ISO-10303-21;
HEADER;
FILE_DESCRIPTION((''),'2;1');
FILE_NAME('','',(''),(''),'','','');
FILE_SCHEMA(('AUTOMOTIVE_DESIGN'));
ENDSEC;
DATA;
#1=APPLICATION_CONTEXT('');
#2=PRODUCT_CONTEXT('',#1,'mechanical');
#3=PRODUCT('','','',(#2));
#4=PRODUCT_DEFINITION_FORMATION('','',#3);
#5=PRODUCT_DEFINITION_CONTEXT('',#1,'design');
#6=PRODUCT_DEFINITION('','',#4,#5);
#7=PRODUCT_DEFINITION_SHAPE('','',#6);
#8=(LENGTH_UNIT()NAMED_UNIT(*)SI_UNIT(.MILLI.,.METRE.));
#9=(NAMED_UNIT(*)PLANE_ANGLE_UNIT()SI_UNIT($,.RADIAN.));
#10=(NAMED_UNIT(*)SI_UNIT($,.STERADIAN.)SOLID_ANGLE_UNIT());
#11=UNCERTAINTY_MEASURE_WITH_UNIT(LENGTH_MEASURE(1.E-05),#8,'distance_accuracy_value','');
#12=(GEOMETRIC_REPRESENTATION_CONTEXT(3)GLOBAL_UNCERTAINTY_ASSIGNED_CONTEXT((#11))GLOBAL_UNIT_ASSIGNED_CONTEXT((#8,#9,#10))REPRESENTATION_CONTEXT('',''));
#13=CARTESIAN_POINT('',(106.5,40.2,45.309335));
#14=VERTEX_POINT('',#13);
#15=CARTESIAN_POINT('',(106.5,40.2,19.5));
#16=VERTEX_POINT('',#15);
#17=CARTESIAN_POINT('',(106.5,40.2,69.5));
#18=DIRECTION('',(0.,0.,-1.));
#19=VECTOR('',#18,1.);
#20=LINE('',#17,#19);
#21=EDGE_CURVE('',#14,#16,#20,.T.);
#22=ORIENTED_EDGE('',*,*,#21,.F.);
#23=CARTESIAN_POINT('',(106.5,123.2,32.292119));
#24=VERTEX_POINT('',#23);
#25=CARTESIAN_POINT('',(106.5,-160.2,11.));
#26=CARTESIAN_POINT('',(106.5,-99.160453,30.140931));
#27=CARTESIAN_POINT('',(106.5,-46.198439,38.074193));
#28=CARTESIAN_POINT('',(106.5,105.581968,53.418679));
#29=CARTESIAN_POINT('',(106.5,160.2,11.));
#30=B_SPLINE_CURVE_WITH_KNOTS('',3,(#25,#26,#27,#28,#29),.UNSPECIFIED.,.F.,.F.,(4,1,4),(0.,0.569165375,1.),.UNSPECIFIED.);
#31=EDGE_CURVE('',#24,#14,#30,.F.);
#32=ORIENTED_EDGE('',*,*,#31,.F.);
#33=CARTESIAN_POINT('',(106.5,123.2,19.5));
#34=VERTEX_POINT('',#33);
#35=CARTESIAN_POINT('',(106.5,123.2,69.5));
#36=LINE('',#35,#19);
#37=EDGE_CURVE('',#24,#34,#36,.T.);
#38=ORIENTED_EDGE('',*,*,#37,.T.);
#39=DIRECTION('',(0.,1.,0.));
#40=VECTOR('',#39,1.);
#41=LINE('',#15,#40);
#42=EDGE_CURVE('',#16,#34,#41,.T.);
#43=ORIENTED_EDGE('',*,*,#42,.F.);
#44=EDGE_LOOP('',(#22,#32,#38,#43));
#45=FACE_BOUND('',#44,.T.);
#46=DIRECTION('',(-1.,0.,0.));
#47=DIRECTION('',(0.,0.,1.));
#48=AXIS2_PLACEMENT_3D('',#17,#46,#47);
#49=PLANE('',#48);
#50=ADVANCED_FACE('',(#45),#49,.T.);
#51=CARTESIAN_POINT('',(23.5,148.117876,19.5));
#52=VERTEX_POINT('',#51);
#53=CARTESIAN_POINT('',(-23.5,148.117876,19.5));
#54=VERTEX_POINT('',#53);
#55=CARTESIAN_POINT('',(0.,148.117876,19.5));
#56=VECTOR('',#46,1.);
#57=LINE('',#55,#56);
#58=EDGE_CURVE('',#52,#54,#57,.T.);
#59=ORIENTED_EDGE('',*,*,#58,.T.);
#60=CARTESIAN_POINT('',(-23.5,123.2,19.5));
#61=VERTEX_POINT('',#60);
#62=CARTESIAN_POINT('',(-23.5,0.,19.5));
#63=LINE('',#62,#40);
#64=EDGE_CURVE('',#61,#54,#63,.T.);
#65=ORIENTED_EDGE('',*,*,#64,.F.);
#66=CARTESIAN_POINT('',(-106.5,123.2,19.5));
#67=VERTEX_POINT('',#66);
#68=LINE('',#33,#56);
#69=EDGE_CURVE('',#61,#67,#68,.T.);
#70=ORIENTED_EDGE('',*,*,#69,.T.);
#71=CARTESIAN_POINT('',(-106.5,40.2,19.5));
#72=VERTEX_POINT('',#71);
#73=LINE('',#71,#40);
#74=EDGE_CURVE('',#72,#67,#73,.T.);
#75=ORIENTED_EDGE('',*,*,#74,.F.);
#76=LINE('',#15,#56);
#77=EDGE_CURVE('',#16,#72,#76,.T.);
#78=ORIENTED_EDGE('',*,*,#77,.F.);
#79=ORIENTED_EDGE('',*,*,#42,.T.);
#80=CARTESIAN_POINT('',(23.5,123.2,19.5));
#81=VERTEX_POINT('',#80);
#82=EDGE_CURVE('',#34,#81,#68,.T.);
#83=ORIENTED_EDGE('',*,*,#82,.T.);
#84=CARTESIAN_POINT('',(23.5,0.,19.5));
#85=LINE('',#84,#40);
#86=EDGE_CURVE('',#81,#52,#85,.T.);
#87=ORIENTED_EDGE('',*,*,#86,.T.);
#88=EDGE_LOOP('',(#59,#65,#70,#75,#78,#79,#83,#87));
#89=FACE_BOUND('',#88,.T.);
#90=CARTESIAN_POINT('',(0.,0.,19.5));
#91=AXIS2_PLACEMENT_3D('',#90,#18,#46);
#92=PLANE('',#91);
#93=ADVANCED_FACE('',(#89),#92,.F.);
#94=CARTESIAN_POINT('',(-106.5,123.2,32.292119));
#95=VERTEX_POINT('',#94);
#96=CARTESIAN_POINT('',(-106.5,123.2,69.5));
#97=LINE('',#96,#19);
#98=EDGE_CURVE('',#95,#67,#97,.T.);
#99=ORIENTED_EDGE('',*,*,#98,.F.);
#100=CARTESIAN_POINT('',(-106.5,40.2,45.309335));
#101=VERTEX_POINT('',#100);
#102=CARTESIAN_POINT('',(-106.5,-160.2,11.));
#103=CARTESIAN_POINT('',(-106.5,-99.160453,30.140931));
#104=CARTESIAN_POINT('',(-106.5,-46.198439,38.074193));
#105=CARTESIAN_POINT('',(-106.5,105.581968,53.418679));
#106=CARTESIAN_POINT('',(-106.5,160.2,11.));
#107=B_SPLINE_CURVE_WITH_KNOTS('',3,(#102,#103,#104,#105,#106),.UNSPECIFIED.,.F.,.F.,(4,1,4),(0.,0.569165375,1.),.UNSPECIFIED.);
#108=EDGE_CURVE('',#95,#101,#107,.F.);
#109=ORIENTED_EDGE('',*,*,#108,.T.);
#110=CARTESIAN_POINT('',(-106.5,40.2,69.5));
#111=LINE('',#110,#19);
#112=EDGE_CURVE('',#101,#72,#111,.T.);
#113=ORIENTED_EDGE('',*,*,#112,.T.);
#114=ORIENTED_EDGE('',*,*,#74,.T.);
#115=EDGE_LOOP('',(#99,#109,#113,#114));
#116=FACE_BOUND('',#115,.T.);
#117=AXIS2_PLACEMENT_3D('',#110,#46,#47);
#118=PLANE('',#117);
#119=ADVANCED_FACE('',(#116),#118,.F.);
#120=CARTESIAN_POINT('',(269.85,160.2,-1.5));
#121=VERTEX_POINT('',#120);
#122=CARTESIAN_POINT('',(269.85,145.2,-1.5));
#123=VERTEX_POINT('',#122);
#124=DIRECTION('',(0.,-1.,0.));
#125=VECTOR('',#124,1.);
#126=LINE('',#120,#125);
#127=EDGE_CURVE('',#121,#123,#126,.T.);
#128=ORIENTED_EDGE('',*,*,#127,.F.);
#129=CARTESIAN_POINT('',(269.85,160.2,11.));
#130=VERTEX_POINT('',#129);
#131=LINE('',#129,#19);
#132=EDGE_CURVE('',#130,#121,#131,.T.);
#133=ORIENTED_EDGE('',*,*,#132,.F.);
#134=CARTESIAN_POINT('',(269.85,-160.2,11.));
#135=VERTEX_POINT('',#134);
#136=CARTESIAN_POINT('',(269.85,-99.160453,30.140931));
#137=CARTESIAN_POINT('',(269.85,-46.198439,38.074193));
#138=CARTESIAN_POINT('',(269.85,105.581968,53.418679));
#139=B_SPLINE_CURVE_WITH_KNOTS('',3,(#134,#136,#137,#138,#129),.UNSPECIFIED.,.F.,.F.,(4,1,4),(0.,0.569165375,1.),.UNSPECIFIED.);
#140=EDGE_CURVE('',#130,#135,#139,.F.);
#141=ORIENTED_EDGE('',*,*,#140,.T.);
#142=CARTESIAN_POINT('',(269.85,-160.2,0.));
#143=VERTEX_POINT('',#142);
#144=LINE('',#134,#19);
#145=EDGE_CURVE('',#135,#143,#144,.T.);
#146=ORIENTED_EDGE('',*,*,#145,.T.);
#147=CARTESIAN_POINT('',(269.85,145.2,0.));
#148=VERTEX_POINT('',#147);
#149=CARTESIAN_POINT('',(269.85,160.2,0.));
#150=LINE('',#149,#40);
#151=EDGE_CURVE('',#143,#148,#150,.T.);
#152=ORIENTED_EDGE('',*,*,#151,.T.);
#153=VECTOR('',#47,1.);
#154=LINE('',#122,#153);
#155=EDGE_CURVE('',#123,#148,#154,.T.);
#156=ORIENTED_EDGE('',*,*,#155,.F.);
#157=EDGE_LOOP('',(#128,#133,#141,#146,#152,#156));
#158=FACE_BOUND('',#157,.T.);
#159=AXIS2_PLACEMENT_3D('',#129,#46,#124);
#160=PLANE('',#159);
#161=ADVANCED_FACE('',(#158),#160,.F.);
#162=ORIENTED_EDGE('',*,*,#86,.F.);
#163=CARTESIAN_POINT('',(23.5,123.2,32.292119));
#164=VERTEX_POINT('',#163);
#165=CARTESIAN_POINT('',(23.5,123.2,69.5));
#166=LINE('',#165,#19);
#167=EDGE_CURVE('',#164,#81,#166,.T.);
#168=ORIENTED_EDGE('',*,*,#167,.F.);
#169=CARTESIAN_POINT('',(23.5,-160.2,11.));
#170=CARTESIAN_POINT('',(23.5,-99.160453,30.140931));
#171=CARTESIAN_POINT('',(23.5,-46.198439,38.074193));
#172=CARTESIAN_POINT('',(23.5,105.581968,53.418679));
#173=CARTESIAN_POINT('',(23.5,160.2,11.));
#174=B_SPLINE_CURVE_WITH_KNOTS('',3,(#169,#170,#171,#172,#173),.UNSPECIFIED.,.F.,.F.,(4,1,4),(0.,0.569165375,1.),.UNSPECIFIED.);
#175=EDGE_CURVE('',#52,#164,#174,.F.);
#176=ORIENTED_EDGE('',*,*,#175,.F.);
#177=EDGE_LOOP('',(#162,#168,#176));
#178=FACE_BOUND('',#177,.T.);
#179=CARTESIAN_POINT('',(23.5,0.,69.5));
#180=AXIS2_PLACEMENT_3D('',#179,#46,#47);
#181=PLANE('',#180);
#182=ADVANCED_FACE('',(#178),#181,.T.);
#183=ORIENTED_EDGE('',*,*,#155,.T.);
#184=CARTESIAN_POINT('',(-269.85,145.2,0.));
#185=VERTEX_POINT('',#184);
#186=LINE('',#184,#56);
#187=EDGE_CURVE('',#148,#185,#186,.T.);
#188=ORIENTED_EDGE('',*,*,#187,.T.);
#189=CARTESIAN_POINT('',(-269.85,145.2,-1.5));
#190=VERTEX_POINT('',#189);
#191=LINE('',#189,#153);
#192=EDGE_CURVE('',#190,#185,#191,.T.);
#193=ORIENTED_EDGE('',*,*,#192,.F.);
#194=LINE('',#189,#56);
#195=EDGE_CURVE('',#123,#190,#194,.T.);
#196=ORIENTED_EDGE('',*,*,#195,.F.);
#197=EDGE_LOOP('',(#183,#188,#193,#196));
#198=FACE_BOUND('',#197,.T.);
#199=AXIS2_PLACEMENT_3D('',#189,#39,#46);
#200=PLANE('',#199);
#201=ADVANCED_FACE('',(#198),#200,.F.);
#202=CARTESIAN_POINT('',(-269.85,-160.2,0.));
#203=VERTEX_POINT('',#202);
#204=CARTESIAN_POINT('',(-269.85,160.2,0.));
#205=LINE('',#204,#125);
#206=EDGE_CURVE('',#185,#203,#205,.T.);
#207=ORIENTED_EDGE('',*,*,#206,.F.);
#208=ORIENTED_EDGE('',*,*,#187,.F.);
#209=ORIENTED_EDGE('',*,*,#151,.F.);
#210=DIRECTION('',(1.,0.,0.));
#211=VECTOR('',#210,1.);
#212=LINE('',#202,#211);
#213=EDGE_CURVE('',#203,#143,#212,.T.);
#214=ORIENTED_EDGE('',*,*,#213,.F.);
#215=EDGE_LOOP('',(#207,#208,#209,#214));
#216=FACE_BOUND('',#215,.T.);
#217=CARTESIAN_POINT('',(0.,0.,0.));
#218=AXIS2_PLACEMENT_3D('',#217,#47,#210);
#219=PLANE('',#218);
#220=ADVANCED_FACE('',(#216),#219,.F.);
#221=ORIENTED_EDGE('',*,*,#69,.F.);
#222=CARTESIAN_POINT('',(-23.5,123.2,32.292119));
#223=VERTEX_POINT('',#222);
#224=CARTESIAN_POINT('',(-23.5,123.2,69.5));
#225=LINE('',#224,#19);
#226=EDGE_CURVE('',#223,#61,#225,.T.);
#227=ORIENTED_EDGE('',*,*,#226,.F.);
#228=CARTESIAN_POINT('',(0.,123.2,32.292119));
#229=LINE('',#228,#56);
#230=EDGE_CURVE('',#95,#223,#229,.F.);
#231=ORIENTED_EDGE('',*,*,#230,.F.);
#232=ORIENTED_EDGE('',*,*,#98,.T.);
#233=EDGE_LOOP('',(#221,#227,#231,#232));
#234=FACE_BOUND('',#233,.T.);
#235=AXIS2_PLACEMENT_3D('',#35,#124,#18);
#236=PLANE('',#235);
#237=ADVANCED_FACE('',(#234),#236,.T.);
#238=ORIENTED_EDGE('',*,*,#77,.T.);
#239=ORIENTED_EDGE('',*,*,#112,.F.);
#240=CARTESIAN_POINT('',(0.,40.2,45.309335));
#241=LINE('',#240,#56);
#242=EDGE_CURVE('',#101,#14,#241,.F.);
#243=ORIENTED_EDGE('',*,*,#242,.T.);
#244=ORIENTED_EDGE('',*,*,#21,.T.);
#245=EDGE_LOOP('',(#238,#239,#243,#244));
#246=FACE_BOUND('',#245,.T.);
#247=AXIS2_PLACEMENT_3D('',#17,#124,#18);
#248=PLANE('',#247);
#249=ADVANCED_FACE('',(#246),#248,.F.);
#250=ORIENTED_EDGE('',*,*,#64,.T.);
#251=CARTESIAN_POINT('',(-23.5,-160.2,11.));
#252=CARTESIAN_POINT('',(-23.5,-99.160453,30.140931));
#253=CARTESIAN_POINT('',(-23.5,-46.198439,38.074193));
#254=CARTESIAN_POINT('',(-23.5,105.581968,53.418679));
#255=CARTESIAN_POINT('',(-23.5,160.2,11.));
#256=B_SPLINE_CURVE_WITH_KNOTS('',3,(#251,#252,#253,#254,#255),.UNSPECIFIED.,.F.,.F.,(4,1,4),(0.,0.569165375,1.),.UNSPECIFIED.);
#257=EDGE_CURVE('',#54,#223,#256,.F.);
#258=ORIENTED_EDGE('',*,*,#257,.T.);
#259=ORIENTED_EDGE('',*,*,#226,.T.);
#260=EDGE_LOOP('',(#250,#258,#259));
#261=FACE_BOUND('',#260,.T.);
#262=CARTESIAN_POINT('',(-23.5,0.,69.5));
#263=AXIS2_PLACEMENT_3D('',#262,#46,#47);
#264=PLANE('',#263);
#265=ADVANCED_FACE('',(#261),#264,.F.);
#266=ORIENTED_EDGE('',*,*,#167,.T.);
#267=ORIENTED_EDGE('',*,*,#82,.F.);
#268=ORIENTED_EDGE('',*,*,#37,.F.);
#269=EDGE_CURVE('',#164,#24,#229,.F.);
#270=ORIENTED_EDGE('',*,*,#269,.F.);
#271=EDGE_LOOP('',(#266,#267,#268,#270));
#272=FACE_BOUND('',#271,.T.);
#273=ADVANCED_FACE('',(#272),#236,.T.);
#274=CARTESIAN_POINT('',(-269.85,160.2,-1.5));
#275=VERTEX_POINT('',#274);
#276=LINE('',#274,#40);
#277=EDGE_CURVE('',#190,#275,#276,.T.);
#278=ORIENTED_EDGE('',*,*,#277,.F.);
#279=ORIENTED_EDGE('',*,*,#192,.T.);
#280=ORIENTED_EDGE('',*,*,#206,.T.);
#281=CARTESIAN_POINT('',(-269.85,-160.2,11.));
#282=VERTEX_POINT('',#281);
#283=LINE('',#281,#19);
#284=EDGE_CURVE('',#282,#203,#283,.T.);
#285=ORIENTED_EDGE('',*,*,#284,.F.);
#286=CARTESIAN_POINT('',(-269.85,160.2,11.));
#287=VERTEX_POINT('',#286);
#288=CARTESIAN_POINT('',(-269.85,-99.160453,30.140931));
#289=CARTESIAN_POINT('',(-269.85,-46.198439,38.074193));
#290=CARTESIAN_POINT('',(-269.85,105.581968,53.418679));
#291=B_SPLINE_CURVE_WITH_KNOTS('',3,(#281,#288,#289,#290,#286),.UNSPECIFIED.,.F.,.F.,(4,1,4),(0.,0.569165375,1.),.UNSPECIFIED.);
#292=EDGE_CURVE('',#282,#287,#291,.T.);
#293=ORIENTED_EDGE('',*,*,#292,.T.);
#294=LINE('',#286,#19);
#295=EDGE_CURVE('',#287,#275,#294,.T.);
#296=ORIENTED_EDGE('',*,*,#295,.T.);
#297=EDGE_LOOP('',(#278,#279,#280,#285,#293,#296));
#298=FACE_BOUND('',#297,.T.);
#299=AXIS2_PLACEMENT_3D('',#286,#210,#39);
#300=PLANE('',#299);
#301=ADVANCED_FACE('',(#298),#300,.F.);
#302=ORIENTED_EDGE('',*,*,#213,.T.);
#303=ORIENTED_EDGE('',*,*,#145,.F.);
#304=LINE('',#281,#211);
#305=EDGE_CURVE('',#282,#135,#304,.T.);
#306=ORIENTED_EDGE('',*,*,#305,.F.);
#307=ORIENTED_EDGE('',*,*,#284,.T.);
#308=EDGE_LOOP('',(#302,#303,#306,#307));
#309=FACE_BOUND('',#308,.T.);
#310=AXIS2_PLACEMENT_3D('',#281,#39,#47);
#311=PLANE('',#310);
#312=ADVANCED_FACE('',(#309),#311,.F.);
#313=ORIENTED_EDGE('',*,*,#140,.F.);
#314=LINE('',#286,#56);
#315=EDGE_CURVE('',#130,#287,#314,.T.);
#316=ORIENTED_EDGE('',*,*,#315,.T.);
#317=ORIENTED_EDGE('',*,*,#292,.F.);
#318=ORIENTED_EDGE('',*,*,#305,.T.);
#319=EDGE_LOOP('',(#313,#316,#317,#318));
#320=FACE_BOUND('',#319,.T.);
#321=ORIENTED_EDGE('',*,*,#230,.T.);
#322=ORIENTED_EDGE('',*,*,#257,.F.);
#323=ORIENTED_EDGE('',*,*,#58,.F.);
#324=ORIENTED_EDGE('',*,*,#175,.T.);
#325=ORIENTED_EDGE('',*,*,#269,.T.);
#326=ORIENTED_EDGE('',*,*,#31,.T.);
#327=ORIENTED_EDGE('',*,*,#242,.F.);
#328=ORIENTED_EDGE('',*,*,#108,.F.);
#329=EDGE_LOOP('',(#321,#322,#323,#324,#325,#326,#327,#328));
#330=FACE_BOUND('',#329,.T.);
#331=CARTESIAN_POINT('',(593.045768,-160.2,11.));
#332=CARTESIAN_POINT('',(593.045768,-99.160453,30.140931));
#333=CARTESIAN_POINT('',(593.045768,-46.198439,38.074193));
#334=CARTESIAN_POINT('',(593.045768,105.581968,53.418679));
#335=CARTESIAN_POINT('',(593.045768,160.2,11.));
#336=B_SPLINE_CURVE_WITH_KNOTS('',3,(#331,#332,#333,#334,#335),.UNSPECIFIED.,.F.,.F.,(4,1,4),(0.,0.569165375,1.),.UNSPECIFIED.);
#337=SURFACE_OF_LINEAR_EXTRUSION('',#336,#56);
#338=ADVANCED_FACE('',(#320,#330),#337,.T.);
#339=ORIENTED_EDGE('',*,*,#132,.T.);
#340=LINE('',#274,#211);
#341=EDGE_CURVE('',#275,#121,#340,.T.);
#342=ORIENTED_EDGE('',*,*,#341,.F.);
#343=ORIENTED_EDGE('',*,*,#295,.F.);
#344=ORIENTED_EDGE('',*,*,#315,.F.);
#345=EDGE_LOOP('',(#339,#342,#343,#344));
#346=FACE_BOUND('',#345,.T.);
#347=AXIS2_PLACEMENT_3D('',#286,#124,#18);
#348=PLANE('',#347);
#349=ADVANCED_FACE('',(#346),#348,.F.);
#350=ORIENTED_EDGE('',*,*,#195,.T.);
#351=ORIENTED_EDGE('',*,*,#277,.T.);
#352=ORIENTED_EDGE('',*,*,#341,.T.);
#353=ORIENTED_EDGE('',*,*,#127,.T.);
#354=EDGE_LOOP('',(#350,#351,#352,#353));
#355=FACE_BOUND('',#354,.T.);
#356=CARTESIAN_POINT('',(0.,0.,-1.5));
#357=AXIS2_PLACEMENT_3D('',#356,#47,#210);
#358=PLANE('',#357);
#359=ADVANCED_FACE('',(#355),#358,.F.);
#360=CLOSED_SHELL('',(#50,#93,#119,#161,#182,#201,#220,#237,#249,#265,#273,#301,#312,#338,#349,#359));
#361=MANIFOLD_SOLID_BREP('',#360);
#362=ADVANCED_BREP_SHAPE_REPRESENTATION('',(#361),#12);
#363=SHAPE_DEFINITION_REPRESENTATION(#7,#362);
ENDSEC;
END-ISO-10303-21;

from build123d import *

# Parameters (mm, degrees)
SKETCH_1_W          = 539.7
SKETCH_1_H          = 320.4
EXTRUDE_1_DEPTH     = 11
EXTRUDE_2_DEPTH     = 539.7
SKETCH_4_W          = 213
SKETCH_4_H          = 83
SKETCH_4_W_2        = 47
SKETCH_4_H_2        = 37
CUT_EXTRUDE_1_DEPTH = 50
SKETCH_5_W          = 539.7
SKETCH_5_H          = 15
EXTRUDE_3_DEPTH     = 1.5


with BuildPart() as part:
    # 草圖1 → 填料-伸長1 (new body)
    with BuildSketch(Plane.XY):
        Rectangle(SKETCH_1_W, SKETCH_1_H)
    extrude(amount=EXTRUDE_1_DEPTH)

    # 草圖3 → 填料-伸長2 (add)
    with BuildSketch(Plane.ZY.offset(269.85)):
        with BuildLine():
            Line((11, 160.2), (11, -160.2))
            add(Edge.make_bspline(
                [(11, 160.2), (53.418678894, 105.581967835), (38.074193493, -46.19843894), (30.140931245, -99.160452943), (11, -160.2)],
                knots=[0, 0, 0, 0, 0.430834625, 1, 1, 1, 1], degree=3))
        make_face()
    extrude(amount=-EXTRUDE_2_DEPTH)

    # 草圖4 → 除料-伸長1 (cut)
    with BuildSketch(Plane(origin=(0, 0, 19.5), x_dir=(-1, 0, 0), z_dir=(0, 0, -1))):
        with Locations((0, 81.7)):
            Rectangle(SKETCH_4_W, SKETCH_4_H)
        with Locations((0, 141.7)):
            Rectangle(SKETCH_4_W_2, SKETCH_4_H_2)
    extrude(amount=-CUT_EXTRUDE_1_DEPTH, mode=Mode.SUBTRACT)

    # 草圖5 → 填料-伸長3 (add)
    with BuildSketch(Plane(origin=(0, 0, 0), x_dir=(-1, 0, 0), z_dir=(0, 0, -1))):
        with Locations((0, 152.7)):
            Rectangle(SKETCH_5_W, SKETCH_5_H)
    extrude(amount=EXTRUDE_3_DEPTH)


solid = part.part
